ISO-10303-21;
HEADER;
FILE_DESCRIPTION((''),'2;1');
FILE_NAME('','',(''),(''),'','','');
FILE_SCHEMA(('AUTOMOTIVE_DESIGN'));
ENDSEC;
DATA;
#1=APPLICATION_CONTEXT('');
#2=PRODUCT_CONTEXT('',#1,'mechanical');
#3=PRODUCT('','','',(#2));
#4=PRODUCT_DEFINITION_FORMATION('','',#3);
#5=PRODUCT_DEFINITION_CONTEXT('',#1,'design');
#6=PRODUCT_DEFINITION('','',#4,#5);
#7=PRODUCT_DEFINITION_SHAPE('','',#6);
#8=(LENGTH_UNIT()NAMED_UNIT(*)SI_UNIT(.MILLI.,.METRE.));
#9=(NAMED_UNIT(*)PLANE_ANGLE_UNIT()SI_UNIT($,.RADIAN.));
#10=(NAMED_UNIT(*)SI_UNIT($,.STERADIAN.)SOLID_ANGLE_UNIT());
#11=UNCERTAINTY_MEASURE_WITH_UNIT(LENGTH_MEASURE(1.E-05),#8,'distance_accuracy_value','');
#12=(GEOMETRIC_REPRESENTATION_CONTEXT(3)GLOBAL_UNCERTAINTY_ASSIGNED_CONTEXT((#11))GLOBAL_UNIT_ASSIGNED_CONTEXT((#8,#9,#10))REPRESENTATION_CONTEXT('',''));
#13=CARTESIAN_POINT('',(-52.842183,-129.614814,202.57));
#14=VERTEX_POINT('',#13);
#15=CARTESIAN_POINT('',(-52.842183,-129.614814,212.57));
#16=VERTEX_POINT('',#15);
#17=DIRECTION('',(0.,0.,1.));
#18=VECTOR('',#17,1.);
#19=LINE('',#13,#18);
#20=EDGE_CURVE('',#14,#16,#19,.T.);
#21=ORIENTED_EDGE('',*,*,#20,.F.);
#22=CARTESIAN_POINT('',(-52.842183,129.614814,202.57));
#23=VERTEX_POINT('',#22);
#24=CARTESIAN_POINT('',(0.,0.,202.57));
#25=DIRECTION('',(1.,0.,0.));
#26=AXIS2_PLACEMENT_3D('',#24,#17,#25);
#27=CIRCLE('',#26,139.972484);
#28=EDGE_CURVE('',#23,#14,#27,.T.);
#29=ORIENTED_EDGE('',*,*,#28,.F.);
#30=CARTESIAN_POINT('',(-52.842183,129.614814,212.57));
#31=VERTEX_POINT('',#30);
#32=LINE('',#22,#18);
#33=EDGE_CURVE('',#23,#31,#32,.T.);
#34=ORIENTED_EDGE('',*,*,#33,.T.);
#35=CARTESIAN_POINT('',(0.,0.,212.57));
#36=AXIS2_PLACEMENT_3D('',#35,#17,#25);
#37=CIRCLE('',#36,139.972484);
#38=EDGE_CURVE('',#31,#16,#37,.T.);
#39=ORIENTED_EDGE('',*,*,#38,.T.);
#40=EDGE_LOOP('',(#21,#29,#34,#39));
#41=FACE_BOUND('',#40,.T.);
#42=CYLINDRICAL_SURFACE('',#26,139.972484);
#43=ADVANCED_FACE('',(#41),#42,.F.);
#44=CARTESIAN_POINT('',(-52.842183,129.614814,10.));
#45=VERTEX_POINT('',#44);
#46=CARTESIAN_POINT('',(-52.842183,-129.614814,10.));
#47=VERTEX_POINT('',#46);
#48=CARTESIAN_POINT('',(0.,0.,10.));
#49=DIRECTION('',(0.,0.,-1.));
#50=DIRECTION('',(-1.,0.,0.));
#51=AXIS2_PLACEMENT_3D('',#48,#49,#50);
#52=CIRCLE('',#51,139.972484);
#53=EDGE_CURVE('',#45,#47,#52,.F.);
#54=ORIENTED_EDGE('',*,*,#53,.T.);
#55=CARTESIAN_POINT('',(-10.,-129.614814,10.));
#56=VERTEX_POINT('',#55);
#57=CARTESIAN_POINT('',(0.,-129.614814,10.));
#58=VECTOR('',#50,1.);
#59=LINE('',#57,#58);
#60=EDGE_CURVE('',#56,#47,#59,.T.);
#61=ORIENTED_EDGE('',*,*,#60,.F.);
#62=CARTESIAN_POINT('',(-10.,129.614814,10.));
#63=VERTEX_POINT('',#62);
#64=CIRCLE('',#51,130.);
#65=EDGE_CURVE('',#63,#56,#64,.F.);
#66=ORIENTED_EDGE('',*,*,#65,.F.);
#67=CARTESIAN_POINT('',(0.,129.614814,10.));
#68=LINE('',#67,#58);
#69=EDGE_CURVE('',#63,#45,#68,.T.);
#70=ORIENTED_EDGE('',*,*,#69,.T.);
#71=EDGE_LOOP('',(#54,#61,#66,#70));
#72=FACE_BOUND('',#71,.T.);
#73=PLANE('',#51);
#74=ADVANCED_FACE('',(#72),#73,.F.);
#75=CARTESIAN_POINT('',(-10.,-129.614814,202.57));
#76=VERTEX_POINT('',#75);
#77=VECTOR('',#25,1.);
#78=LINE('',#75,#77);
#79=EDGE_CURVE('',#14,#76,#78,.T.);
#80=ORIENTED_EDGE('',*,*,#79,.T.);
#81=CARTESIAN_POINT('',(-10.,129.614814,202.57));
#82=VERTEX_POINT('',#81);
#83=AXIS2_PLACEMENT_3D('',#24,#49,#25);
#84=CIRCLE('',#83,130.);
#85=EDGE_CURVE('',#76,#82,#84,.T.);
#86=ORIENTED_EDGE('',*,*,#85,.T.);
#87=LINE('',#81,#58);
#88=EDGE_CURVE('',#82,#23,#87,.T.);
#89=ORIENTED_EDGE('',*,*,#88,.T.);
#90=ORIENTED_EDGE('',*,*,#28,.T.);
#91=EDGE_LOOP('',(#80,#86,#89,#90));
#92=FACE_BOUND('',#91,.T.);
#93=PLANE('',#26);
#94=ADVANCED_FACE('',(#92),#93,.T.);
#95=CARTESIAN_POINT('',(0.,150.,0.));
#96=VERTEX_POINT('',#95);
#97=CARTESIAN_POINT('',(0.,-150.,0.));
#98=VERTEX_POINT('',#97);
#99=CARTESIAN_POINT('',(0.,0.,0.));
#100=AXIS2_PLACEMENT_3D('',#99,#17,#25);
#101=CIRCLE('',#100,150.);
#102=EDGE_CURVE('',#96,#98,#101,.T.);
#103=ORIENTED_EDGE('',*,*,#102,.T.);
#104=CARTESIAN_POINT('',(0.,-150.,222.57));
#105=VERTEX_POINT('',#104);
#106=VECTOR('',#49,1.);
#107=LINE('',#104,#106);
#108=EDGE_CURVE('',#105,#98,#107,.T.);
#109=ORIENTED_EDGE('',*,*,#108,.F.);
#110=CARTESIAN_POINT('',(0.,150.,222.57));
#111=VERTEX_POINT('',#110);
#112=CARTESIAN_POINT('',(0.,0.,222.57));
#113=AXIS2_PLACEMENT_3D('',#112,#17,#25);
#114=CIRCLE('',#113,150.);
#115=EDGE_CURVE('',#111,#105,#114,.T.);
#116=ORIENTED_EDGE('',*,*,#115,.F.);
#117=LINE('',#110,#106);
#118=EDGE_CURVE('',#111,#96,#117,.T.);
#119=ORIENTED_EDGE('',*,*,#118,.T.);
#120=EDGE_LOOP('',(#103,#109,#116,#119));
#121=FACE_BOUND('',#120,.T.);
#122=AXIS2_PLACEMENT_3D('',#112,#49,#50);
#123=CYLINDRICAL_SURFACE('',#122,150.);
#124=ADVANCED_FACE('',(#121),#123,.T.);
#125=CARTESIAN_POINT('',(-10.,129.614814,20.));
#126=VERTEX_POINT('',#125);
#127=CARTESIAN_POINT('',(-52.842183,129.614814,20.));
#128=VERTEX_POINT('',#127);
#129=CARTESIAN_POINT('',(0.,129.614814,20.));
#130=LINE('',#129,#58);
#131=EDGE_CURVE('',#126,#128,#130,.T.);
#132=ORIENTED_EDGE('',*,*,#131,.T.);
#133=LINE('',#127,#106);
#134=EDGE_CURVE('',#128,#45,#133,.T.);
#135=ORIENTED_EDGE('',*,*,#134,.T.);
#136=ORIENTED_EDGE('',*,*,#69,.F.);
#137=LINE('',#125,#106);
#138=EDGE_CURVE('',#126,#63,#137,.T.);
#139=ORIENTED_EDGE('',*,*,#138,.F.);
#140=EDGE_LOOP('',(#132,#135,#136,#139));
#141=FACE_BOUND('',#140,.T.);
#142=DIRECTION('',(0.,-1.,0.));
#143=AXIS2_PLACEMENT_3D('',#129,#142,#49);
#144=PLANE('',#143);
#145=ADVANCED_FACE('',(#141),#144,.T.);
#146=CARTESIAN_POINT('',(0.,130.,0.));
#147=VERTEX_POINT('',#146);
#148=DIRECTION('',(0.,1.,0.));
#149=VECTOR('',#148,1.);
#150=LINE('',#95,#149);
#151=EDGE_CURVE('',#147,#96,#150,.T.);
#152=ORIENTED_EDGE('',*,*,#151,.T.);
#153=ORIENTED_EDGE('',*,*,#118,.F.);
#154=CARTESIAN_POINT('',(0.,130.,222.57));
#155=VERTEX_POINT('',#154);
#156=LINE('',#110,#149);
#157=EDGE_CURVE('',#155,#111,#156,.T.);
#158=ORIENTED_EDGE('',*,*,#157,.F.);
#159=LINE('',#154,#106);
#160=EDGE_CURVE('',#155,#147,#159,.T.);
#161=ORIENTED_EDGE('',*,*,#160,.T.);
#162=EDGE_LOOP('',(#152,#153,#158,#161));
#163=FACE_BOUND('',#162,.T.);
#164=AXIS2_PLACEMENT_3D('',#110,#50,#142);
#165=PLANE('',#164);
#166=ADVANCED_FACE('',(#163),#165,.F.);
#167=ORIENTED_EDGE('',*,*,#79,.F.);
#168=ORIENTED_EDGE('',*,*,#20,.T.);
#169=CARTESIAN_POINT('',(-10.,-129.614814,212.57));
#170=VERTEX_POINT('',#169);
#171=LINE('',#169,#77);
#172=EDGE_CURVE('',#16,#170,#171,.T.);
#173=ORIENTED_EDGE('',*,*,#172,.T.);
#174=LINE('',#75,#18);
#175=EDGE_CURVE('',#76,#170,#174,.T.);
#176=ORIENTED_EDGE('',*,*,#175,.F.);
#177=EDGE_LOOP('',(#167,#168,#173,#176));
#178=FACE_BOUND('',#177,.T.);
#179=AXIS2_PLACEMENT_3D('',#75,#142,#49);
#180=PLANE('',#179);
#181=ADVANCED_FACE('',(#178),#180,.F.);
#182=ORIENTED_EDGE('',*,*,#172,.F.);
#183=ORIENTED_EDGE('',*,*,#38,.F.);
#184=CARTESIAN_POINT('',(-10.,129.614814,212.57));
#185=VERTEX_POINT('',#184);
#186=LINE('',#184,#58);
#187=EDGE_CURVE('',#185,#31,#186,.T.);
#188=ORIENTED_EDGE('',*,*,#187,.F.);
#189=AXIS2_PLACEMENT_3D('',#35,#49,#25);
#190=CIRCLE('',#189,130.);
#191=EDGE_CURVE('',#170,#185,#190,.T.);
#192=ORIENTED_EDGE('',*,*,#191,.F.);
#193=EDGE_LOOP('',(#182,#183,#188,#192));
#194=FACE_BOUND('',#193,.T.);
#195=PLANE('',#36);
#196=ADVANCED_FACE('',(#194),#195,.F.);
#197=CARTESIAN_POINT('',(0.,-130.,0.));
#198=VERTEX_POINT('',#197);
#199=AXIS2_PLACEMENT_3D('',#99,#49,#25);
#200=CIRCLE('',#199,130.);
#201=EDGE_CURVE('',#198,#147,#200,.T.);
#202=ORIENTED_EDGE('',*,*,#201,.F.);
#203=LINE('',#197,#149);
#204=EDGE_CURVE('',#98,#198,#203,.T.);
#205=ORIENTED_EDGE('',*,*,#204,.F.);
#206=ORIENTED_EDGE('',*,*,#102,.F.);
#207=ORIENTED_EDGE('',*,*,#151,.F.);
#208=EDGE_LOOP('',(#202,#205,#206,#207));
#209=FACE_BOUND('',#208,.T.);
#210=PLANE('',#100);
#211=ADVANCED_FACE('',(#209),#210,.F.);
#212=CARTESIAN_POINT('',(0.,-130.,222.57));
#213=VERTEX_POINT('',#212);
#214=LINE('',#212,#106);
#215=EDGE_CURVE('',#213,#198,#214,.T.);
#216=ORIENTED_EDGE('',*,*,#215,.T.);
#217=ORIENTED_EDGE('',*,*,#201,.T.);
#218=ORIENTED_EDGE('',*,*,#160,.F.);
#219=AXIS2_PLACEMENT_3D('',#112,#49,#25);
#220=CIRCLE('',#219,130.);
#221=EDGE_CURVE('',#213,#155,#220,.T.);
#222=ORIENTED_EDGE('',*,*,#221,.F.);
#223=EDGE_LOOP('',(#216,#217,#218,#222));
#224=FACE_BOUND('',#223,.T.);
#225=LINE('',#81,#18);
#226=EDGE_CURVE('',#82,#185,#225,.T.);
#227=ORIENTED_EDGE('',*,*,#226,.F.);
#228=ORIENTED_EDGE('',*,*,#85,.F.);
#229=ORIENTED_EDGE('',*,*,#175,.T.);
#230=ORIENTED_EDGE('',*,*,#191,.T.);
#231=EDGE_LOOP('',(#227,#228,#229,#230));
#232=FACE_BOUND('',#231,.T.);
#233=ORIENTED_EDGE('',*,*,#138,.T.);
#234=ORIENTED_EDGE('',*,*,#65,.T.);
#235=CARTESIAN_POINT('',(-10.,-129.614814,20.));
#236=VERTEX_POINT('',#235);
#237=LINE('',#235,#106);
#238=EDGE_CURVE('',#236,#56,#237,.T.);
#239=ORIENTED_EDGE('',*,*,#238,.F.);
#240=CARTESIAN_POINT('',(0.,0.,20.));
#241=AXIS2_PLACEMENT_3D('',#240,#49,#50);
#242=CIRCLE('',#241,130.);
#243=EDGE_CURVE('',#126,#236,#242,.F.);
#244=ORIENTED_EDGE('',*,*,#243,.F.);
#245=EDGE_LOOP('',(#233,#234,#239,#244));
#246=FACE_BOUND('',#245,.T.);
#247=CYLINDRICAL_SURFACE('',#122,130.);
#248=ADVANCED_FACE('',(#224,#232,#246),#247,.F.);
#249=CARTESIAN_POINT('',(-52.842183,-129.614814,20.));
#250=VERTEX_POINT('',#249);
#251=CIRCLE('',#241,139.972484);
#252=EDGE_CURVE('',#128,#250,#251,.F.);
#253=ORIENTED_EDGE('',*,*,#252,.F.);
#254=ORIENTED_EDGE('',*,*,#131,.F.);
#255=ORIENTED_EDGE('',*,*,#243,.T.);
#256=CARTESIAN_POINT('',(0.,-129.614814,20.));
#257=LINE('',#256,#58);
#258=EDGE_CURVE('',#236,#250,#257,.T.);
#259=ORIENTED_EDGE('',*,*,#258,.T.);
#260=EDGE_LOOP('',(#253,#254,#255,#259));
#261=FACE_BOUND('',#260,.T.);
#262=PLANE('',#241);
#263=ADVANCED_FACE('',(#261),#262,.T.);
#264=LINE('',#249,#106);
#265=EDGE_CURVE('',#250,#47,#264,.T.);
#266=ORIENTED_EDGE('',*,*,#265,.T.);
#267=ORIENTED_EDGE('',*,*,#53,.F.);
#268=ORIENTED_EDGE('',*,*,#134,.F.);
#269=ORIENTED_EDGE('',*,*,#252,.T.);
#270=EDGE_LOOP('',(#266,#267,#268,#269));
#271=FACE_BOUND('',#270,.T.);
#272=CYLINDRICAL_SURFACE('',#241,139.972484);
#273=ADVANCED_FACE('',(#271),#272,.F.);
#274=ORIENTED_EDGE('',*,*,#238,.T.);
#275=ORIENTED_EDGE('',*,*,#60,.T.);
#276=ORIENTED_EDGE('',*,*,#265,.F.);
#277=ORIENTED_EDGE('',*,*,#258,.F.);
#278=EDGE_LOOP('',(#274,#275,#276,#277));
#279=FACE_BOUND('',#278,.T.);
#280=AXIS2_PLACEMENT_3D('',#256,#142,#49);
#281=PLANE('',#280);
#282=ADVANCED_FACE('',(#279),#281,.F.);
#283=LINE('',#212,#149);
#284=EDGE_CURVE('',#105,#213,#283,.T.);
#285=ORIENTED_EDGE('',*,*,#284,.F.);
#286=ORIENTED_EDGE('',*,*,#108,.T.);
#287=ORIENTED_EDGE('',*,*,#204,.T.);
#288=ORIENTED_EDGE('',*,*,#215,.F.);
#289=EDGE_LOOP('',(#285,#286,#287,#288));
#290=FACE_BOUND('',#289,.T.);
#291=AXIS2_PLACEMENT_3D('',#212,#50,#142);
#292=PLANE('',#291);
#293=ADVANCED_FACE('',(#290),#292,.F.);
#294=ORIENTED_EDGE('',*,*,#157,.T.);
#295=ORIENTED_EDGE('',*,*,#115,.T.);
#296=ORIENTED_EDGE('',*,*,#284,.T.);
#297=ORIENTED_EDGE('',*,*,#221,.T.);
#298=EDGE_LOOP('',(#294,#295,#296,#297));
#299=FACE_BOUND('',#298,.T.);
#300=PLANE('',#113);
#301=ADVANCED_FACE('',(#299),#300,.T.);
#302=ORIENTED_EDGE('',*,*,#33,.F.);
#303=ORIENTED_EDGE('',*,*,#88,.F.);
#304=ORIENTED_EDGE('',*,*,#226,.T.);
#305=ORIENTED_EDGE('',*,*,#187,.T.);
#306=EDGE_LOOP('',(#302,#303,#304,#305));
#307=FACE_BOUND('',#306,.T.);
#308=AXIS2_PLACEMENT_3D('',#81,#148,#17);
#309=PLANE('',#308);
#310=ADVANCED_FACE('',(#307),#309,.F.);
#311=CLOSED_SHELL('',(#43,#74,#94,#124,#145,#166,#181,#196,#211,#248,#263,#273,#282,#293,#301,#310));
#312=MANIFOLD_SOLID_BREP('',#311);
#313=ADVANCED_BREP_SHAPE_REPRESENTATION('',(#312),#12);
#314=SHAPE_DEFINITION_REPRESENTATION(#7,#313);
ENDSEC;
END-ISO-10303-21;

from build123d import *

# Parameters (mm, degrees)
BOSS_EXTRUDE1_DEPTH = 222.57
CUT_EXTRUDE2_START  = -10
CUT_EXTRUDE2_DEPTH  = 10
CUT_EXTRUDE3_START  = -10
CUT_EXTRUDE3_DEPTH  = 10


with BuildPart() as part:
    # Sketch1 → Boss-Extrude1 (new body)
    with BuildSketch(Plane.XY):
        with BuildLine():
            Line((0, 150), (0, 130))
            ThreePointArc((0, 130), (-130, 0), (0, -130))
            Line((0, -130), (0, -150))
            ThreePointArc((0, -150), (-150, 0), (0, 150))
        make_face()
    extrude(amount=BOSS_EXTRUDE1_DEPTH)

    # Sketch2 → Cut-Extrude2 (cut)
    with BuildSketch(Plane.XY.offset(222.57).offset(CUT_EXTRUDE2_START)):
        with BuildLine():
            Line((-10, 129.614813968), (-52.842182765, 129.614813968))
            ThreePointArc((-52.842182765, 129.614813968), (-139.972484008, 0), (-52.842182765, -129.614813968))
            Line((-52.842182765, -129.614813968), (-10, -129.614813968))
            ThreePointArc((-10, -129.614813968), (-130, 0), (-10, 129.614813968))
        make_face()
    extrude(amount=-CUT_EXTRUDE2_DEPTH, mode=Mode.SUBTRACT)

    # Sketch3 → Cut-Extrude3 (cut)
    with BuildSketch(Plane(origin=(0, 0, 0), x_dir=(-1, 0, 0), z_dir=(0, 0, -1)).offset(CUT_EXTRUDE3_START)):
        with BuildLine():
            Line((10, 129.614813968), (52.842182765, 129.614813968))
            ThreePointArc((52.842182765, 129.614813968), (139.972484008, 0), (52.842182765, -129.614813968))
            Line((52.842182765, -129.614813968), (10, -129.614813968))
            ThreePointArc((10, -129.614813968), (130, 0), (10, 129.614813968))
        make_face()
    extrude(amount=-CUT_EXTRUDE3_DEPTH, mode=Mode.SUBTRACT)


solid = part.part
